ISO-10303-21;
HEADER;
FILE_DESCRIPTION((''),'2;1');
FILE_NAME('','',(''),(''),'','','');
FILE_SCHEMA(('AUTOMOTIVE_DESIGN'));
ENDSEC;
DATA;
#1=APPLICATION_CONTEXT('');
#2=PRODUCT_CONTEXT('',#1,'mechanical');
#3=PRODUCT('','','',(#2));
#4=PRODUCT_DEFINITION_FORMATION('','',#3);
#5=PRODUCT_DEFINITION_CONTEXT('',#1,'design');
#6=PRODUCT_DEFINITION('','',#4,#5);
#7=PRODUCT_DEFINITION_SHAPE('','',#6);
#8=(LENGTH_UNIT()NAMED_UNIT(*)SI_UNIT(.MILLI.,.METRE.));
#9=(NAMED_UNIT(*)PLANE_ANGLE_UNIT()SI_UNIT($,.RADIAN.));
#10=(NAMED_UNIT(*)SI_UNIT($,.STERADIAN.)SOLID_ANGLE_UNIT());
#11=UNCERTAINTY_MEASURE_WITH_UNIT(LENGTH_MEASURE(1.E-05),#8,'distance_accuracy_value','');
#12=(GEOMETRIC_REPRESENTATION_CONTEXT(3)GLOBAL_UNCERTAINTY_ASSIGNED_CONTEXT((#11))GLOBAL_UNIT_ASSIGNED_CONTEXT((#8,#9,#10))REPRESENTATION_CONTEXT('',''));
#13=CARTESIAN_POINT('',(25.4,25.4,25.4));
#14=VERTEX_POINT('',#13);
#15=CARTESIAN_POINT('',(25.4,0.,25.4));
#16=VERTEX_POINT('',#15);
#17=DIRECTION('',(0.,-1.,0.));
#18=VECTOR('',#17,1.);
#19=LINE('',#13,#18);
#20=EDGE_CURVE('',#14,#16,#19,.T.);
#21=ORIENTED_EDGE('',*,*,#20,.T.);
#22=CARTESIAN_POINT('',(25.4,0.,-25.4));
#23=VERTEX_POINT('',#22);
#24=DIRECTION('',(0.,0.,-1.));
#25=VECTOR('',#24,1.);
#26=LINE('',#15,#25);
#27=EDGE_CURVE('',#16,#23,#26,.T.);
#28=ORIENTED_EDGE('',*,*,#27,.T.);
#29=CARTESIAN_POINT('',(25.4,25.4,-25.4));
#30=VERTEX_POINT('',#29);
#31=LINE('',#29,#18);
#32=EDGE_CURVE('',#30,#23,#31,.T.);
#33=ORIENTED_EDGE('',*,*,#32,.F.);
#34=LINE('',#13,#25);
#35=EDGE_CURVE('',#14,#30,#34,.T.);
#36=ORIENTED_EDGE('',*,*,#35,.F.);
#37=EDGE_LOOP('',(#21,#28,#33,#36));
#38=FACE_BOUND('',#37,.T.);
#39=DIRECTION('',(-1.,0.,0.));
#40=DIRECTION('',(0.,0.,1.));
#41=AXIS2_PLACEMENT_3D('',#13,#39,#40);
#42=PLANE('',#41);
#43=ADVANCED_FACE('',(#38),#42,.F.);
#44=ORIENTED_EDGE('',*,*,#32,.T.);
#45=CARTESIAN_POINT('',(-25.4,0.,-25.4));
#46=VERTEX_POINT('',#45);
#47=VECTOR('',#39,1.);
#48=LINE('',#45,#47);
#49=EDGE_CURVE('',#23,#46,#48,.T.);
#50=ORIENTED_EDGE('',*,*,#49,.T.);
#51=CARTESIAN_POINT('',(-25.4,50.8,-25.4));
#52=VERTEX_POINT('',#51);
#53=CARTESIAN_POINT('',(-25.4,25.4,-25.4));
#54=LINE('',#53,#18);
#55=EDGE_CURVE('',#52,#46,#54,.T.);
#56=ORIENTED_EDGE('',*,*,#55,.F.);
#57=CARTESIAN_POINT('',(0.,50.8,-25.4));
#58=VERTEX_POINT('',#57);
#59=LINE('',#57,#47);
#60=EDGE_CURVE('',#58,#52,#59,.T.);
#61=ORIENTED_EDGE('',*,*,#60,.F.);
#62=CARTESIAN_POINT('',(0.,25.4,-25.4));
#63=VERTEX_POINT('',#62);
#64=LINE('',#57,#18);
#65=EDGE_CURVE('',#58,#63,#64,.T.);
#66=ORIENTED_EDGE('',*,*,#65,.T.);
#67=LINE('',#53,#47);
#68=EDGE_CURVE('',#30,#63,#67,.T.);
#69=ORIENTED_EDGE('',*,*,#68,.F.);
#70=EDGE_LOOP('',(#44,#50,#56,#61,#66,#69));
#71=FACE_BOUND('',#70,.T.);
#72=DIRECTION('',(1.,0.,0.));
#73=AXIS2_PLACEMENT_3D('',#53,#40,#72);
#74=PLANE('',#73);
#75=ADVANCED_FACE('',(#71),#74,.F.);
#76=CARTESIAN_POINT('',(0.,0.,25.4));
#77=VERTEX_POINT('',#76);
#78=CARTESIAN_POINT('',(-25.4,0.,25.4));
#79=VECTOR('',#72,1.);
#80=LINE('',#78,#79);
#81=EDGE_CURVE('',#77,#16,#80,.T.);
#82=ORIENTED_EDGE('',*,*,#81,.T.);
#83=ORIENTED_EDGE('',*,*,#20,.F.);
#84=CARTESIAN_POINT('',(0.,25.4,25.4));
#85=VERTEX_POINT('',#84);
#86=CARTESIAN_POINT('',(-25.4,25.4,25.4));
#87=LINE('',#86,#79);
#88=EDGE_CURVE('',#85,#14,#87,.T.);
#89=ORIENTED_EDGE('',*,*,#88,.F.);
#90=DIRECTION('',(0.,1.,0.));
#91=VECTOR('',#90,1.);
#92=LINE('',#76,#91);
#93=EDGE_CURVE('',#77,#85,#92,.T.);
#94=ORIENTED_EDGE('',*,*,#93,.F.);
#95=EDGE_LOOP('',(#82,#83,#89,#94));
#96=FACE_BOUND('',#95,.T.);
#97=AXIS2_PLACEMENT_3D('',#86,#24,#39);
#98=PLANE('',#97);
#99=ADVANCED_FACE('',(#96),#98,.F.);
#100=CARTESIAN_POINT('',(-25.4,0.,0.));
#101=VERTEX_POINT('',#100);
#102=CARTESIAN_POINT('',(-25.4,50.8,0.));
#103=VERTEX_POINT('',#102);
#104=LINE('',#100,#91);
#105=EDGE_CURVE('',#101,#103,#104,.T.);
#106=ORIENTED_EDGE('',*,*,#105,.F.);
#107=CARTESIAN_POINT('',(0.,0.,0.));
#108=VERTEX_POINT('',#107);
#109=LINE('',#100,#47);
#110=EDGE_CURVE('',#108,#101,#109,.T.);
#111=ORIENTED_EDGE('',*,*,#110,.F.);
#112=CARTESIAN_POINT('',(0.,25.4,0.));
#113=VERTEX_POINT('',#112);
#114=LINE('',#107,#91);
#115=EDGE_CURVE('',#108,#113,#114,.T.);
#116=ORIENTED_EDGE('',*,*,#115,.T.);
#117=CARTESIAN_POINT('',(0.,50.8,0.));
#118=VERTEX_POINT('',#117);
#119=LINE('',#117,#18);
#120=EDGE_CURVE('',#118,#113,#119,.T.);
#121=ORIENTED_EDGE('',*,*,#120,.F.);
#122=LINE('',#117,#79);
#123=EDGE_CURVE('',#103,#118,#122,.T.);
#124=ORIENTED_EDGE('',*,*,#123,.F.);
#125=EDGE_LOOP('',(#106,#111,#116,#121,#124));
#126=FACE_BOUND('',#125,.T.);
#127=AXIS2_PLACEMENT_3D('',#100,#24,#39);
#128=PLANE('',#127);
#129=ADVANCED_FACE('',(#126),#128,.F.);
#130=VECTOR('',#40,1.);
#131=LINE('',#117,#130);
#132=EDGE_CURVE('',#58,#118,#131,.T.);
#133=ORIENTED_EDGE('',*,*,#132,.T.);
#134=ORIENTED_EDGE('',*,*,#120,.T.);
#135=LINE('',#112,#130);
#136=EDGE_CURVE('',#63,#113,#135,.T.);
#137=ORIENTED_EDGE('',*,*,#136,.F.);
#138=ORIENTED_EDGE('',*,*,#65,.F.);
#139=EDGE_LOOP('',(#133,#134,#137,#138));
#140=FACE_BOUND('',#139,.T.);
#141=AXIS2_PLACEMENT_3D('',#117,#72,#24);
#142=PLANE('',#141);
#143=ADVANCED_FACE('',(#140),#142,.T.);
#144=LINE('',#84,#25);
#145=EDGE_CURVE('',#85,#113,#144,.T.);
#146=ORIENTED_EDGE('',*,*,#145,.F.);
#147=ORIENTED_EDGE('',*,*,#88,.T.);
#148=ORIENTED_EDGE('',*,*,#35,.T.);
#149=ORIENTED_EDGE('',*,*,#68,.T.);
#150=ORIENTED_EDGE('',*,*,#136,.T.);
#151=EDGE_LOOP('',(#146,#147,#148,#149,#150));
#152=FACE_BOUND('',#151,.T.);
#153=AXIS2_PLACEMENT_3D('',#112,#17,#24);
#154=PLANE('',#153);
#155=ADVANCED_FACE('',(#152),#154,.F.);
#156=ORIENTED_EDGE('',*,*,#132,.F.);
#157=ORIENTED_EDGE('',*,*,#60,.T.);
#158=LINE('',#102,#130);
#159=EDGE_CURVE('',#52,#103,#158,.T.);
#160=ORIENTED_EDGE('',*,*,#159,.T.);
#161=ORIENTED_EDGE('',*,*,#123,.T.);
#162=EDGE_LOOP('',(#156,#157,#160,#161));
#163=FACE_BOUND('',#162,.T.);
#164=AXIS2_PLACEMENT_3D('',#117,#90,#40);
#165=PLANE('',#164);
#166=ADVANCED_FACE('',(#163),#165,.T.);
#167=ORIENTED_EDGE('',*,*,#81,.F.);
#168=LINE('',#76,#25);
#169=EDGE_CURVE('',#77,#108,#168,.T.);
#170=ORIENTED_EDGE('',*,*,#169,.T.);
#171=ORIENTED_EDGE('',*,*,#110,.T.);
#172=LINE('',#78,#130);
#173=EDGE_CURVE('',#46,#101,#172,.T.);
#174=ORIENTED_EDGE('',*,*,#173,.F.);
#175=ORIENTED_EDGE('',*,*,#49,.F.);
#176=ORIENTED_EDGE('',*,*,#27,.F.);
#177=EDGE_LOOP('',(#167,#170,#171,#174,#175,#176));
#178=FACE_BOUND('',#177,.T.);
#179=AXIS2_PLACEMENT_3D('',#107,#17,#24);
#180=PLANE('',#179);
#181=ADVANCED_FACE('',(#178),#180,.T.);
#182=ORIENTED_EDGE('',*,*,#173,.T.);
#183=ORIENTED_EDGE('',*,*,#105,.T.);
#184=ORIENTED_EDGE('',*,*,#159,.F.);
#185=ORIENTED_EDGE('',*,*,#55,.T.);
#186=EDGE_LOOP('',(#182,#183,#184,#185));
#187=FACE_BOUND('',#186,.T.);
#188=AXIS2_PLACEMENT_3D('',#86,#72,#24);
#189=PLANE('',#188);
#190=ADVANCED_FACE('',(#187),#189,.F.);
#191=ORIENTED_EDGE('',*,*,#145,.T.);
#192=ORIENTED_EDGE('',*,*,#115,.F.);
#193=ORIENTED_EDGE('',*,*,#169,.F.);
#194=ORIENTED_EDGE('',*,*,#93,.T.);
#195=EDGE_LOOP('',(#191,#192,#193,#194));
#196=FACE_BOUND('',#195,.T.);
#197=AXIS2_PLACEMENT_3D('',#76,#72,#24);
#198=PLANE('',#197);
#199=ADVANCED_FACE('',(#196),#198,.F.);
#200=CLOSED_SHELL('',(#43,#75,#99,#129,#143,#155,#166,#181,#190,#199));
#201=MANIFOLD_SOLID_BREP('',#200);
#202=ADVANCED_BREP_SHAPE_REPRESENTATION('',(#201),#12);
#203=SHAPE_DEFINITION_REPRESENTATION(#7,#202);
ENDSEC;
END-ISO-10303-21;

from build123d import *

# Parameters (mm, degrees)
SKETCH1_W           = 50.8
SKETCH1_H           = 50.8
BOSS_EXTRUDE1_DEPTH = 25.4
SKETCH2_W           = 25.4
SKETCH2_H           = 25.4
CUT_EXTRUDE1_DEPTH  = 26.4
SKETCH3_W           = 25.4
SKETCH3_H           = 25.4
BOSS_EXTRUDE2_DEPTH = 25.4


with BuildPart() as part:
    # Sketch1 → Boss-Extrude1 (new body)
    with BuildSketch(Plane(origin=(0, 0, 0), x_dir=(1, 0, 0), z_dir=(0, 1, 0))):
        Rectangle(SKETCH1_W, SKETCH1_H)
    extrude(amount=BOSS_EXTRUDE1_DEPTH)

    # Sketch2 → Cut-Extrude1 (cut, through all)
    with BuildSketch(Plane(origin=(0, 25.4, 0), x_dir=(1, 0, 0), z_dir=(0, 1, 0))):
        with Locations((-12.7, -12.7)):
            Rectangle(SKETCH2_W, SKETCH2_H)
    extrude(amount=-CUT_EXTRUDE1_DEPTH, mode=Mode.SUBTRACT)

    # Sketch3 → Boss-Extrude2 (add)
    with BuildSketch(Plane(origin=(0, 25.4, 0), x_dir=(1, 0, 0), z_dir=(0, 1, 0))):
        with Locations((-12.7, 12.7)):
            Rectangle(SKETCH3_W, SKETCH3_H)
    extrude(amount=BOSS_EXTRUDE2_DEPTH)


solid = part.part
